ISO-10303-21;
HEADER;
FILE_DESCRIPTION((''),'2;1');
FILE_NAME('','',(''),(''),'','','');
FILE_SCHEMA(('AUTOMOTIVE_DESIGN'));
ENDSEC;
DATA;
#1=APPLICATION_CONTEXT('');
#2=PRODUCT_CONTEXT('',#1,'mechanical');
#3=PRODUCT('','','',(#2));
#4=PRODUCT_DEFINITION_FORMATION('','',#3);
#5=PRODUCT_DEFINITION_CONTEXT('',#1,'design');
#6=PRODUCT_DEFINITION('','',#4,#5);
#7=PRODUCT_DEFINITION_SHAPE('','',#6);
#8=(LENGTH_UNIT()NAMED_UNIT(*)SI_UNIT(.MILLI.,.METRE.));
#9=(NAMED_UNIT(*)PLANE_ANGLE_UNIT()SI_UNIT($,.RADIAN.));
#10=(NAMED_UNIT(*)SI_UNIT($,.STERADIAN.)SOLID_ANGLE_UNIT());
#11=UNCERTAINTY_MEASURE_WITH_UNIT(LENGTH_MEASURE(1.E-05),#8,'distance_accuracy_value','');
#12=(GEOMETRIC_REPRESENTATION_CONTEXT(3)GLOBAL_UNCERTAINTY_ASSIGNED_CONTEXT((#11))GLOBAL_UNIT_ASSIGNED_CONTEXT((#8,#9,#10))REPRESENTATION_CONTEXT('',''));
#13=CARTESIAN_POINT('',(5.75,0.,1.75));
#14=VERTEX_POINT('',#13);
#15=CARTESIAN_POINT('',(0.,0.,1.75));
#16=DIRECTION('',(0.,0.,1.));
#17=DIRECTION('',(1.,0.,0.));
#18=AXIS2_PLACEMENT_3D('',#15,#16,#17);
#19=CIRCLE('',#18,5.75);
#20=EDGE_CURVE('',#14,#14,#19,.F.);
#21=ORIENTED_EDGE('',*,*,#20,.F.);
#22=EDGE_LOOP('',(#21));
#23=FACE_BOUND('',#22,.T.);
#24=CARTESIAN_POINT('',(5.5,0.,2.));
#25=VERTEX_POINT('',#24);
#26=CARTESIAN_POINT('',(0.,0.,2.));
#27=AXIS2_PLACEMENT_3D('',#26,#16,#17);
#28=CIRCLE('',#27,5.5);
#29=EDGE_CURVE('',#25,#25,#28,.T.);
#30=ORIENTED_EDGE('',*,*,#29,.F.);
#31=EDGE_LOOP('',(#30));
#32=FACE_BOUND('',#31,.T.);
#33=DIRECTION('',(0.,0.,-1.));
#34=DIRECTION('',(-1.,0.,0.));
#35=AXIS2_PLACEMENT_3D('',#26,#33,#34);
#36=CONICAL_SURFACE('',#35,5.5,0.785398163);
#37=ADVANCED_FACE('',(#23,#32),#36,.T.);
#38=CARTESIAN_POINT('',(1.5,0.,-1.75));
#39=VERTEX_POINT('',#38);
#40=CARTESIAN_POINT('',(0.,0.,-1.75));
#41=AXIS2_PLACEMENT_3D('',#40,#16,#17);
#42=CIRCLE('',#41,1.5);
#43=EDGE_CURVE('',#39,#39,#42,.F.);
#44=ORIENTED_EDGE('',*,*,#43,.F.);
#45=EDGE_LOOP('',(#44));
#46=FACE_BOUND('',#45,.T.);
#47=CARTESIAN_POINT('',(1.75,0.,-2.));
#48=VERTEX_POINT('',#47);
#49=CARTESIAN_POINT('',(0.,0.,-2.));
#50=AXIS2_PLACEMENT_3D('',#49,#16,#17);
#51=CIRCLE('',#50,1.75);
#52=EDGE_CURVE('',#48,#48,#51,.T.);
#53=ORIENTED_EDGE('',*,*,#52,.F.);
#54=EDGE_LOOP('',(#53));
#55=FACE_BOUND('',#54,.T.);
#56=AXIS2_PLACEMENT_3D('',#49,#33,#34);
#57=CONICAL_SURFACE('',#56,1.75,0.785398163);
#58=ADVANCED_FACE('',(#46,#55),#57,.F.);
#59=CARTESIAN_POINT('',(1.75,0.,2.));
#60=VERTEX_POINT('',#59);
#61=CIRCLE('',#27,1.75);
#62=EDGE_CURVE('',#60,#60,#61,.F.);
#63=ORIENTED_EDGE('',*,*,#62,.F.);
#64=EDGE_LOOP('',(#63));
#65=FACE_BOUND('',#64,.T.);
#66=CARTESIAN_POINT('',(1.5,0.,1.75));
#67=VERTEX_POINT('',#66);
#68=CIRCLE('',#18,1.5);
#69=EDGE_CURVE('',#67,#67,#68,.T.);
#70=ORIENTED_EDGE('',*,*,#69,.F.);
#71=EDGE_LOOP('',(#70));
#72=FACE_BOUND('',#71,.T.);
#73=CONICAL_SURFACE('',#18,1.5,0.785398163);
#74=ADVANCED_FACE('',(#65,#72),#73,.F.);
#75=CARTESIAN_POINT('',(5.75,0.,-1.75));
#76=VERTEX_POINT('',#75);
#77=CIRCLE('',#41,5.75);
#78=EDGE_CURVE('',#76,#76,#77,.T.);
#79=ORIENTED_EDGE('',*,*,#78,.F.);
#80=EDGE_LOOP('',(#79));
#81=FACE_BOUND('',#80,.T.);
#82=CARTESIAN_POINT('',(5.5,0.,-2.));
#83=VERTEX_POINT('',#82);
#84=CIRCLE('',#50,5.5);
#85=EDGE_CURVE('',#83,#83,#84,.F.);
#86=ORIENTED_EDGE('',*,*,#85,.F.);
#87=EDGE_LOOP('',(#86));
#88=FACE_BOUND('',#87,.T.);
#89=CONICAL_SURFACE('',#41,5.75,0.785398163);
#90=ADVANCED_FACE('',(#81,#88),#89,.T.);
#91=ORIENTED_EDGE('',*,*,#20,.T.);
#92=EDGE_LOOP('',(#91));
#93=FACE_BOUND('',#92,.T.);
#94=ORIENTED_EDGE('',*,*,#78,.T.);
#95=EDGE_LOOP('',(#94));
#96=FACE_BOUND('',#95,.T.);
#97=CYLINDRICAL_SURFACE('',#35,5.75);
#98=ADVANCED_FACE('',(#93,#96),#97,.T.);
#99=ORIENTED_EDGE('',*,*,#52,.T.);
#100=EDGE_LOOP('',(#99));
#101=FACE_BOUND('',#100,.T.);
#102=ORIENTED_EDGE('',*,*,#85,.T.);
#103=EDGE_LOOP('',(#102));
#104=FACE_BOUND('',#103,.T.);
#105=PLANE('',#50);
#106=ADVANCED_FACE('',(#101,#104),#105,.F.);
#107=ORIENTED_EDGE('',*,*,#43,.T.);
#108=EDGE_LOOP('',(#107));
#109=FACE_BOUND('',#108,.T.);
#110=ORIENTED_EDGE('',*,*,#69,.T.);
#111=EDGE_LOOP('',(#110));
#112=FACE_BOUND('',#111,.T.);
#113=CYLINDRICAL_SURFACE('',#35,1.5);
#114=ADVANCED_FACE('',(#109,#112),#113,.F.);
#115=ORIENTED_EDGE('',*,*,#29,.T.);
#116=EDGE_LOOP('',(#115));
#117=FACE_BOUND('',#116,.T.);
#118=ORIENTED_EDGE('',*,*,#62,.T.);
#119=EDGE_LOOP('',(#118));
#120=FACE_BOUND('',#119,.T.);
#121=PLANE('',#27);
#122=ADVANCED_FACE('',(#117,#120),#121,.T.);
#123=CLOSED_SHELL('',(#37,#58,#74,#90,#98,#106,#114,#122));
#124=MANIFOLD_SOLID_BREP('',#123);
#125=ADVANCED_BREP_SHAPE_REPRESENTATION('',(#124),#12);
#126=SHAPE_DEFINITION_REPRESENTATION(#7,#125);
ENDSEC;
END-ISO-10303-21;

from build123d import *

# Parameters (mm, degrees)
SKETCH1_R           = 5.75
SKETCH1_R_2         = 1.5
BOSS_EXTRUDE1_DEPTH = 2
CHAMFER1_SIZE       = 0.25


with BuildPart() as part:
    # Sketch1 → Boss-Extrude1 (new body, symmetric)
    with BuildSketch(Plane.XY):
        Circle(SKETCH1_R)
        Circle(SKETCH1_R_2, mode=Mode.SUBTRACT)
    extrude(amount=BOSS_EXTRUDE1_DEPTH, both=True)

    # Chamfer1
    chamfer1_edges = [part.edges().sort_by_distance(p)[0] for p in [
        (-5.75, 0, -2),
        (-5.75, 0, 2),
        (-1.5, 0, -2),
        (-1.5, 0, 2),
    ]]
    chamfer(chamfer1_edges, length=CHAMFER1_SIZE)


solid = part.part
